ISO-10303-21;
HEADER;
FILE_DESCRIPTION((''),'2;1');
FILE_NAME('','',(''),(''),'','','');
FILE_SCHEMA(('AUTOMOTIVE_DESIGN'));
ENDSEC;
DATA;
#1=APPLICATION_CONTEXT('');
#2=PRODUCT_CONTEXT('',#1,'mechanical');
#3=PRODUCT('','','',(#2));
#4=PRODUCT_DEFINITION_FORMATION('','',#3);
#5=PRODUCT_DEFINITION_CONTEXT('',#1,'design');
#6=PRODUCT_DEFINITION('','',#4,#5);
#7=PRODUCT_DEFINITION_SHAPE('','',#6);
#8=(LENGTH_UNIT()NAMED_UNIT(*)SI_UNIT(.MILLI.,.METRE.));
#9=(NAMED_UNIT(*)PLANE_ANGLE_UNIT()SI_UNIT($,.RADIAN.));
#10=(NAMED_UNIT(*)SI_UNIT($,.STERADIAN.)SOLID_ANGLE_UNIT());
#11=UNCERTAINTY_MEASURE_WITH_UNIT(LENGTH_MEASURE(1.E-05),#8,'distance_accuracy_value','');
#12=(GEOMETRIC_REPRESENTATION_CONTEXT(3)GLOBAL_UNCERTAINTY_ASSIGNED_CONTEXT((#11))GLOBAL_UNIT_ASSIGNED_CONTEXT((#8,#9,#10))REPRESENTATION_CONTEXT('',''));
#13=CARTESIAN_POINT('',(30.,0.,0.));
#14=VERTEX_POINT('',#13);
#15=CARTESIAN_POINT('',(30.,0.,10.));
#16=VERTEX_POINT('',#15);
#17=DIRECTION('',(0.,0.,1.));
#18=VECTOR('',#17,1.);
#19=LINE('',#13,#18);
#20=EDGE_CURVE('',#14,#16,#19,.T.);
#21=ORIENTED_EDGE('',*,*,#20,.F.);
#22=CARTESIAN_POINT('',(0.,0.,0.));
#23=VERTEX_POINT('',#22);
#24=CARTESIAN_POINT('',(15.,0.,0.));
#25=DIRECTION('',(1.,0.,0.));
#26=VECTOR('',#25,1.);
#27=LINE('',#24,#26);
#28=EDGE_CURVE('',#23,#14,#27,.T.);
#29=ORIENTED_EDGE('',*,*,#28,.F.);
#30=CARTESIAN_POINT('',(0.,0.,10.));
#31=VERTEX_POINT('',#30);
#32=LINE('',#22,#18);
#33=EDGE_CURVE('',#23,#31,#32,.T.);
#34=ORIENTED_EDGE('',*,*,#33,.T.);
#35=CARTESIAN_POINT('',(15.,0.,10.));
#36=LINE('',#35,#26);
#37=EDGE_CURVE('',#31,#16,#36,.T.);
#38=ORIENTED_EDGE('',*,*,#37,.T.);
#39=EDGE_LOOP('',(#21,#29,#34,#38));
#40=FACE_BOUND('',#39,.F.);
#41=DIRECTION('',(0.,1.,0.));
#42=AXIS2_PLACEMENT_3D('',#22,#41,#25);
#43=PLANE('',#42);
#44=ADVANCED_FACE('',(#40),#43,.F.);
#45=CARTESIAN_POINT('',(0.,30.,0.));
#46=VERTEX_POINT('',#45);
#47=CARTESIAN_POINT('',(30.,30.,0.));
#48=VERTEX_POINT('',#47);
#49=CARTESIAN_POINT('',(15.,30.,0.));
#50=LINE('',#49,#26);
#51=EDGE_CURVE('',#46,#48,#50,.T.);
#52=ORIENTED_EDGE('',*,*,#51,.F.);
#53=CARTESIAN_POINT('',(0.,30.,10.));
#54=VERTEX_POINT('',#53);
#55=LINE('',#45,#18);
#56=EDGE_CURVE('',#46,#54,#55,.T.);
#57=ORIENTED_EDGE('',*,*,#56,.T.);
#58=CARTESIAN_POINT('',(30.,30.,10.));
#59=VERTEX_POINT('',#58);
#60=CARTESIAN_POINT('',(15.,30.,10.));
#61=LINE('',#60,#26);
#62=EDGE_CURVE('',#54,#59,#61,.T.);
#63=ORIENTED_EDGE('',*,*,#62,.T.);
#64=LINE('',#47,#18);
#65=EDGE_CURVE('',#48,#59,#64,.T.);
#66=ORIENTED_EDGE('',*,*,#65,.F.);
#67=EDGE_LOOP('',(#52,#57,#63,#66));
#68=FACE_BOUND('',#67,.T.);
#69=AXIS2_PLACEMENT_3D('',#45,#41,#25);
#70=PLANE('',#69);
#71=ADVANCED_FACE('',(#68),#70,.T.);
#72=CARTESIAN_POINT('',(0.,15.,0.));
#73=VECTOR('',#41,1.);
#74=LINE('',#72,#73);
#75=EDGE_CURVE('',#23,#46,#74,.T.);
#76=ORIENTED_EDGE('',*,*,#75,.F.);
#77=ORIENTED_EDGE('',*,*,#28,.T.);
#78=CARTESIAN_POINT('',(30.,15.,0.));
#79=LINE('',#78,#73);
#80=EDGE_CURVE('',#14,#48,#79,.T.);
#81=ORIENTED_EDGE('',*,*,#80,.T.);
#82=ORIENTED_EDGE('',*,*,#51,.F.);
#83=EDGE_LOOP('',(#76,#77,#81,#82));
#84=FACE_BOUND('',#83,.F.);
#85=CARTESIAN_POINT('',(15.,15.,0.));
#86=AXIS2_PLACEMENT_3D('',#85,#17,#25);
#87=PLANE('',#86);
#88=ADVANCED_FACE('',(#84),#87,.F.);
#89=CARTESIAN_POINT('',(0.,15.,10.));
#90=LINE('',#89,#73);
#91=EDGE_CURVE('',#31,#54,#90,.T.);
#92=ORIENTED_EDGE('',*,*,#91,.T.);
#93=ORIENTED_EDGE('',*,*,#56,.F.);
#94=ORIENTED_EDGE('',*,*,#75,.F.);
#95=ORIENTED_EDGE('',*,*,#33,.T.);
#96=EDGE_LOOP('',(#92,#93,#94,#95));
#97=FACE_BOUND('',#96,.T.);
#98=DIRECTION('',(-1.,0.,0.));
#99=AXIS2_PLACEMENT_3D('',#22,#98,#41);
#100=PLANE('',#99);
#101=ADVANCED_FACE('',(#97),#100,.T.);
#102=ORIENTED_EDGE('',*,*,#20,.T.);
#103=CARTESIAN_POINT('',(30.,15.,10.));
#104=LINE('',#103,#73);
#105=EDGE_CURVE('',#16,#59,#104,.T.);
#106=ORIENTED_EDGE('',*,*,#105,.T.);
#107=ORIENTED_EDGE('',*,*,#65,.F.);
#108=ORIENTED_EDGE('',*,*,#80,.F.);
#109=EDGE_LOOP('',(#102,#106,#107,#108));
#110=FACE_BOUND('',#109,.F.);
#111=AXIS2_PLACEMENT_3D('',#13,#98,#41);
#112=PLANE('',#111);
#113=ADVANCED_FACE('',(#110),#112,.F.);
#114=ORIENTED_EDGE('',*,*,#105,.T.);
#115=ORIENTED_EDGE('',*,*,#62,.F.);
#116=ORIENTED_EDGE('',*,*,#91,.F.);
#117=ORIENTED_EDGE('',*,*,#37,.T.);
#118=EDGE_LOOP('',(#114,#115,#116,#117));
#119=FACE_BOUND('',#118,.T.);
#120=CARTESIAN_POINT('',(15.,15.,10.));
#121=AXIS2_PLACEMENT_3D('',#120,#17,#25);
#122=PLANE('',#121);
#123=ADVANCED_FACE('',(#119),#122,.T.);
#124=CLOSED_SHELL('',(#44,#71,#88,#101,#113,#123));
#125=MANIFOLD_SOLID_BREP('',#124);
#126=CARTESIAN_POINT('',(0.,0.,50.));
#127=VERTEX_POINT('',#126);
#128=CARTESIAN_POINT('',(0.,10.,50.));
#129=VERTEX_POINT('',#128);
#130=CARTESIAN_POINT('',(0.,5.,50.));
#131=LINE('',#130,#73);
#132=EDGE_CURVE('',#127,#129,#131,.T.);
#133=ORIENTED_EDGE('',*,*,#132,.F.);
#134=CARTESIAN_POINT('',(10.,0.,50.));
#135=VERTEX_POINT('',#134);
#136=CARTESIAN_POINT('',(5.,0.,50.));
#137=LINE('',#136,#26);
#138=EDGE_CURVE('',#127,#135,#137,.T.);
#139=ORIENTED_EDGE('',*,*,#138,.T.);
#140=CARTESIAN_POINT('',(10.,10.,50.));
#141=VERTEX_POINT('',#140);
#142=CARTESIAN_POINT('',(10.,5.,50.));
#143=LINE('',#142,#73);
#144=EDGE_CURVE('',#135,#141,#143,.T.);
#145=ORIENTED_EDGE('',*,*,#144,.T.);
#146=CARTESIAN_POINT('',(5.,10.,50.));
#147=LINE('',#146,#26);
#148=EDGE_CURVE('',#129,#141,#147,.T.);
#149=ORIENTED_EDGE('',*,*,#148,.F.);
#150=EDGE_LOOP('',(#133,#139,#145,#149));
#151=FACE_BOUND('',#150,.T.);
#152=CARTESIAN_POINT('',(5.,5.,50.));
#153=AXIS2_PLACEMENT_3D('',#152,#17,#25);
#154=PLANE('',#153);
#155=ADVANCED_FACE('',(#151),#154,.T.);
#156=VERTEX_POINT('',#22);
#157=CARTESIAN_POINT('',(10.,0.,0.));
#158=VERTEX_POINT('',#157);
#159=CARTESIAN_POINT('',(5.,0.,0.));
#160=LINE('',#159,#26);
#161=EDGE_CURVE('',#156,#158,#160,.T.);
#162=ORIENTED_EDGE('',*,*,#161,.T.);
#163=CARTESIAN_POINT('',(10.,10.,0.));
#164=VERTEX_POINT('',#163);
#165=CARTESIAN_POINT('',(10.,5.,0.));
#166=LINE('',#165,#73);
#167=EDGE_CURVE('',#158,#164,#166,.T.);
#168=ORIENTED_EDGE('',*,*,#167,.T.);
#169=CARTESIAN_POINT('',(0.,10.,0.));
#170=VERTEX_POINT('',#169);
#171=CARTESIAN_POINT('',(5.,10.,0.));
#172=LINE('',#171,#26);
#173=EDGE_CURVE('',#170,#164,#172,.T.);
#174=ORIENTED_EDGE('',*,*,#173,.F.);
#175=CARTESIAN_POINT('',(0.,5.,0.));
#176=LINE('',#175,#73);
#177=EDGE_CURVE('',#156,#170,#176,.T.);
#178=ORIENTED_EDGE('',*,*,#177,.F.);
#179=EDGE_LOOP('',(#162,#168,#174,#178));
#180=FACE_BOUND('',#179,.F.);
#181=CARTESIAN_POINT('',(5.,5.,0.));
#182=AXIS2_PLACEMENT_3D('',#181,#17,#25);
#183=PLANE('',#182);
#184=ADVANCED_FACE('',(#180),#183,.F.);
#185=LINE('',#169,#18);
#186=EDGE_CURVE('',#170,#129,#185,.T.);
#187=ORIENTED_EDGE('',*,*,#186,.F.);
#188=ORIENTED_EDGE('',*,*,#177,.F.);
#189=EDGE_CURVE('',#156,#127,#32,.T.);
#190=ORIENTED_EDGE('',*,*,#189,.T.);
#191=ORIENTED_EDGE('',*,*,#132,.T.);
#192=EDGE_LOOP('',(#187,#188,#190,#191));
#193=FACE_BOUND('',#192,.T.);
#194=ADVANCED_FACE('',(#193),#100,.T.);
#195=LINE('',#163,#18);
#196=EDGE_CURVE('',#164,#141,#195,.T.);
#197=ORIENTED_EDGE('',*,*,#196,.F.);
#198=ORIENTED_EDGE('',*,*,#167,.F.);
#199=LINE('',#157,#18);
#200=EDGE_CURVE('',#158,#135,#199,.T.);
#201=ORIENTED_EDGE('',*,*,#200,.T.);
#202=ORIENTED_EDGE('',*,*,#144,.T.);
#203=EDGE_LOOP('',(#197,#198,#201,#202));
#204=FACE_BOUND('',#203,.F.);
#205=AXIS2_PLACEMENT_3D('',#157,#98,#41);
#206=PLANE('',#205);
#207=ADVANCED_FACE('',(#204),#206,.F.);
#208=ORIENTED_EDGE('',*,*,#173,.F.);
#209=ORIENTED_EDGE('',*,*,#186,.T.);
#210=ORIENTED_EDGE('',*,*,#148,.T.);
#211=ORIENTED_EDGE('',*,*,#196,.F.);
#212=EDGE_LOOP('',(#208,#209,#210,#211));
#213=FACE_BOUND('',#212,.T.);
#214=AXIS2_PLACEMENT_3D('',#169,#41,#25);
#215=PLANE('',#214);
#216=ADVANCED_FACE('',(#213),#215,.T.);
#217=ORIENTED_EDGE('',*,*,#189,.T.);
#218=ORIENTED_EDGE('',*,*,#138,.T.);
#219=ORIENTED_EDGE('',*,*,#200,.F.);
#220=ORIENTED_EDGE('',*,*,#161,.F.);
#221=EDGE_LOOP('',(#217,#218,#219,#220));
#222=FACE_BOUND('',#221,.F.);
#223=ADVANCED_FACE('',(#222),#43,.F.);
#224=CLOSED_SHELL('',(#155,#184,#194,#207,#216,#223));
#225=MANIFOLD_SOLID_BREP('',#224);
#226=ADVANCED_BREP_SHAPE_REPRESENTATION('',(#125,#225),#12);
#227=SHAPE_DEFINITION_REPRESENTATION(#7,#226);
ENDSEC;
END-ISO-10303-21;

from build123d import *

# Parameters (mm, degrees)
BOX_W        = 30
BOX_H        = 30
BOX_DEPTH    = 10
BOX001_W     = 10
BOX001_H     = 10
BOX001_DEPTH = 50


with BuildPart() as base:
    # Box → Box (new body)
    with BuildSketch(Plane.XY):
        with Locations((15, 15)):
            Rectangle(BOX_W, BOX_H)
    extrude(amount=BOX_DEPTH)


with BuildPart() as torre:
    # Box001 → Box001 (new body)
    with BuildSketch(Plane.XY):
        with Locations((5, 5)):
            Rectangle(BOX001_W, BOX001_H)
    extrude(amount=BOX001_DEPTH)


solid = Compound([base.part, torre.part])
